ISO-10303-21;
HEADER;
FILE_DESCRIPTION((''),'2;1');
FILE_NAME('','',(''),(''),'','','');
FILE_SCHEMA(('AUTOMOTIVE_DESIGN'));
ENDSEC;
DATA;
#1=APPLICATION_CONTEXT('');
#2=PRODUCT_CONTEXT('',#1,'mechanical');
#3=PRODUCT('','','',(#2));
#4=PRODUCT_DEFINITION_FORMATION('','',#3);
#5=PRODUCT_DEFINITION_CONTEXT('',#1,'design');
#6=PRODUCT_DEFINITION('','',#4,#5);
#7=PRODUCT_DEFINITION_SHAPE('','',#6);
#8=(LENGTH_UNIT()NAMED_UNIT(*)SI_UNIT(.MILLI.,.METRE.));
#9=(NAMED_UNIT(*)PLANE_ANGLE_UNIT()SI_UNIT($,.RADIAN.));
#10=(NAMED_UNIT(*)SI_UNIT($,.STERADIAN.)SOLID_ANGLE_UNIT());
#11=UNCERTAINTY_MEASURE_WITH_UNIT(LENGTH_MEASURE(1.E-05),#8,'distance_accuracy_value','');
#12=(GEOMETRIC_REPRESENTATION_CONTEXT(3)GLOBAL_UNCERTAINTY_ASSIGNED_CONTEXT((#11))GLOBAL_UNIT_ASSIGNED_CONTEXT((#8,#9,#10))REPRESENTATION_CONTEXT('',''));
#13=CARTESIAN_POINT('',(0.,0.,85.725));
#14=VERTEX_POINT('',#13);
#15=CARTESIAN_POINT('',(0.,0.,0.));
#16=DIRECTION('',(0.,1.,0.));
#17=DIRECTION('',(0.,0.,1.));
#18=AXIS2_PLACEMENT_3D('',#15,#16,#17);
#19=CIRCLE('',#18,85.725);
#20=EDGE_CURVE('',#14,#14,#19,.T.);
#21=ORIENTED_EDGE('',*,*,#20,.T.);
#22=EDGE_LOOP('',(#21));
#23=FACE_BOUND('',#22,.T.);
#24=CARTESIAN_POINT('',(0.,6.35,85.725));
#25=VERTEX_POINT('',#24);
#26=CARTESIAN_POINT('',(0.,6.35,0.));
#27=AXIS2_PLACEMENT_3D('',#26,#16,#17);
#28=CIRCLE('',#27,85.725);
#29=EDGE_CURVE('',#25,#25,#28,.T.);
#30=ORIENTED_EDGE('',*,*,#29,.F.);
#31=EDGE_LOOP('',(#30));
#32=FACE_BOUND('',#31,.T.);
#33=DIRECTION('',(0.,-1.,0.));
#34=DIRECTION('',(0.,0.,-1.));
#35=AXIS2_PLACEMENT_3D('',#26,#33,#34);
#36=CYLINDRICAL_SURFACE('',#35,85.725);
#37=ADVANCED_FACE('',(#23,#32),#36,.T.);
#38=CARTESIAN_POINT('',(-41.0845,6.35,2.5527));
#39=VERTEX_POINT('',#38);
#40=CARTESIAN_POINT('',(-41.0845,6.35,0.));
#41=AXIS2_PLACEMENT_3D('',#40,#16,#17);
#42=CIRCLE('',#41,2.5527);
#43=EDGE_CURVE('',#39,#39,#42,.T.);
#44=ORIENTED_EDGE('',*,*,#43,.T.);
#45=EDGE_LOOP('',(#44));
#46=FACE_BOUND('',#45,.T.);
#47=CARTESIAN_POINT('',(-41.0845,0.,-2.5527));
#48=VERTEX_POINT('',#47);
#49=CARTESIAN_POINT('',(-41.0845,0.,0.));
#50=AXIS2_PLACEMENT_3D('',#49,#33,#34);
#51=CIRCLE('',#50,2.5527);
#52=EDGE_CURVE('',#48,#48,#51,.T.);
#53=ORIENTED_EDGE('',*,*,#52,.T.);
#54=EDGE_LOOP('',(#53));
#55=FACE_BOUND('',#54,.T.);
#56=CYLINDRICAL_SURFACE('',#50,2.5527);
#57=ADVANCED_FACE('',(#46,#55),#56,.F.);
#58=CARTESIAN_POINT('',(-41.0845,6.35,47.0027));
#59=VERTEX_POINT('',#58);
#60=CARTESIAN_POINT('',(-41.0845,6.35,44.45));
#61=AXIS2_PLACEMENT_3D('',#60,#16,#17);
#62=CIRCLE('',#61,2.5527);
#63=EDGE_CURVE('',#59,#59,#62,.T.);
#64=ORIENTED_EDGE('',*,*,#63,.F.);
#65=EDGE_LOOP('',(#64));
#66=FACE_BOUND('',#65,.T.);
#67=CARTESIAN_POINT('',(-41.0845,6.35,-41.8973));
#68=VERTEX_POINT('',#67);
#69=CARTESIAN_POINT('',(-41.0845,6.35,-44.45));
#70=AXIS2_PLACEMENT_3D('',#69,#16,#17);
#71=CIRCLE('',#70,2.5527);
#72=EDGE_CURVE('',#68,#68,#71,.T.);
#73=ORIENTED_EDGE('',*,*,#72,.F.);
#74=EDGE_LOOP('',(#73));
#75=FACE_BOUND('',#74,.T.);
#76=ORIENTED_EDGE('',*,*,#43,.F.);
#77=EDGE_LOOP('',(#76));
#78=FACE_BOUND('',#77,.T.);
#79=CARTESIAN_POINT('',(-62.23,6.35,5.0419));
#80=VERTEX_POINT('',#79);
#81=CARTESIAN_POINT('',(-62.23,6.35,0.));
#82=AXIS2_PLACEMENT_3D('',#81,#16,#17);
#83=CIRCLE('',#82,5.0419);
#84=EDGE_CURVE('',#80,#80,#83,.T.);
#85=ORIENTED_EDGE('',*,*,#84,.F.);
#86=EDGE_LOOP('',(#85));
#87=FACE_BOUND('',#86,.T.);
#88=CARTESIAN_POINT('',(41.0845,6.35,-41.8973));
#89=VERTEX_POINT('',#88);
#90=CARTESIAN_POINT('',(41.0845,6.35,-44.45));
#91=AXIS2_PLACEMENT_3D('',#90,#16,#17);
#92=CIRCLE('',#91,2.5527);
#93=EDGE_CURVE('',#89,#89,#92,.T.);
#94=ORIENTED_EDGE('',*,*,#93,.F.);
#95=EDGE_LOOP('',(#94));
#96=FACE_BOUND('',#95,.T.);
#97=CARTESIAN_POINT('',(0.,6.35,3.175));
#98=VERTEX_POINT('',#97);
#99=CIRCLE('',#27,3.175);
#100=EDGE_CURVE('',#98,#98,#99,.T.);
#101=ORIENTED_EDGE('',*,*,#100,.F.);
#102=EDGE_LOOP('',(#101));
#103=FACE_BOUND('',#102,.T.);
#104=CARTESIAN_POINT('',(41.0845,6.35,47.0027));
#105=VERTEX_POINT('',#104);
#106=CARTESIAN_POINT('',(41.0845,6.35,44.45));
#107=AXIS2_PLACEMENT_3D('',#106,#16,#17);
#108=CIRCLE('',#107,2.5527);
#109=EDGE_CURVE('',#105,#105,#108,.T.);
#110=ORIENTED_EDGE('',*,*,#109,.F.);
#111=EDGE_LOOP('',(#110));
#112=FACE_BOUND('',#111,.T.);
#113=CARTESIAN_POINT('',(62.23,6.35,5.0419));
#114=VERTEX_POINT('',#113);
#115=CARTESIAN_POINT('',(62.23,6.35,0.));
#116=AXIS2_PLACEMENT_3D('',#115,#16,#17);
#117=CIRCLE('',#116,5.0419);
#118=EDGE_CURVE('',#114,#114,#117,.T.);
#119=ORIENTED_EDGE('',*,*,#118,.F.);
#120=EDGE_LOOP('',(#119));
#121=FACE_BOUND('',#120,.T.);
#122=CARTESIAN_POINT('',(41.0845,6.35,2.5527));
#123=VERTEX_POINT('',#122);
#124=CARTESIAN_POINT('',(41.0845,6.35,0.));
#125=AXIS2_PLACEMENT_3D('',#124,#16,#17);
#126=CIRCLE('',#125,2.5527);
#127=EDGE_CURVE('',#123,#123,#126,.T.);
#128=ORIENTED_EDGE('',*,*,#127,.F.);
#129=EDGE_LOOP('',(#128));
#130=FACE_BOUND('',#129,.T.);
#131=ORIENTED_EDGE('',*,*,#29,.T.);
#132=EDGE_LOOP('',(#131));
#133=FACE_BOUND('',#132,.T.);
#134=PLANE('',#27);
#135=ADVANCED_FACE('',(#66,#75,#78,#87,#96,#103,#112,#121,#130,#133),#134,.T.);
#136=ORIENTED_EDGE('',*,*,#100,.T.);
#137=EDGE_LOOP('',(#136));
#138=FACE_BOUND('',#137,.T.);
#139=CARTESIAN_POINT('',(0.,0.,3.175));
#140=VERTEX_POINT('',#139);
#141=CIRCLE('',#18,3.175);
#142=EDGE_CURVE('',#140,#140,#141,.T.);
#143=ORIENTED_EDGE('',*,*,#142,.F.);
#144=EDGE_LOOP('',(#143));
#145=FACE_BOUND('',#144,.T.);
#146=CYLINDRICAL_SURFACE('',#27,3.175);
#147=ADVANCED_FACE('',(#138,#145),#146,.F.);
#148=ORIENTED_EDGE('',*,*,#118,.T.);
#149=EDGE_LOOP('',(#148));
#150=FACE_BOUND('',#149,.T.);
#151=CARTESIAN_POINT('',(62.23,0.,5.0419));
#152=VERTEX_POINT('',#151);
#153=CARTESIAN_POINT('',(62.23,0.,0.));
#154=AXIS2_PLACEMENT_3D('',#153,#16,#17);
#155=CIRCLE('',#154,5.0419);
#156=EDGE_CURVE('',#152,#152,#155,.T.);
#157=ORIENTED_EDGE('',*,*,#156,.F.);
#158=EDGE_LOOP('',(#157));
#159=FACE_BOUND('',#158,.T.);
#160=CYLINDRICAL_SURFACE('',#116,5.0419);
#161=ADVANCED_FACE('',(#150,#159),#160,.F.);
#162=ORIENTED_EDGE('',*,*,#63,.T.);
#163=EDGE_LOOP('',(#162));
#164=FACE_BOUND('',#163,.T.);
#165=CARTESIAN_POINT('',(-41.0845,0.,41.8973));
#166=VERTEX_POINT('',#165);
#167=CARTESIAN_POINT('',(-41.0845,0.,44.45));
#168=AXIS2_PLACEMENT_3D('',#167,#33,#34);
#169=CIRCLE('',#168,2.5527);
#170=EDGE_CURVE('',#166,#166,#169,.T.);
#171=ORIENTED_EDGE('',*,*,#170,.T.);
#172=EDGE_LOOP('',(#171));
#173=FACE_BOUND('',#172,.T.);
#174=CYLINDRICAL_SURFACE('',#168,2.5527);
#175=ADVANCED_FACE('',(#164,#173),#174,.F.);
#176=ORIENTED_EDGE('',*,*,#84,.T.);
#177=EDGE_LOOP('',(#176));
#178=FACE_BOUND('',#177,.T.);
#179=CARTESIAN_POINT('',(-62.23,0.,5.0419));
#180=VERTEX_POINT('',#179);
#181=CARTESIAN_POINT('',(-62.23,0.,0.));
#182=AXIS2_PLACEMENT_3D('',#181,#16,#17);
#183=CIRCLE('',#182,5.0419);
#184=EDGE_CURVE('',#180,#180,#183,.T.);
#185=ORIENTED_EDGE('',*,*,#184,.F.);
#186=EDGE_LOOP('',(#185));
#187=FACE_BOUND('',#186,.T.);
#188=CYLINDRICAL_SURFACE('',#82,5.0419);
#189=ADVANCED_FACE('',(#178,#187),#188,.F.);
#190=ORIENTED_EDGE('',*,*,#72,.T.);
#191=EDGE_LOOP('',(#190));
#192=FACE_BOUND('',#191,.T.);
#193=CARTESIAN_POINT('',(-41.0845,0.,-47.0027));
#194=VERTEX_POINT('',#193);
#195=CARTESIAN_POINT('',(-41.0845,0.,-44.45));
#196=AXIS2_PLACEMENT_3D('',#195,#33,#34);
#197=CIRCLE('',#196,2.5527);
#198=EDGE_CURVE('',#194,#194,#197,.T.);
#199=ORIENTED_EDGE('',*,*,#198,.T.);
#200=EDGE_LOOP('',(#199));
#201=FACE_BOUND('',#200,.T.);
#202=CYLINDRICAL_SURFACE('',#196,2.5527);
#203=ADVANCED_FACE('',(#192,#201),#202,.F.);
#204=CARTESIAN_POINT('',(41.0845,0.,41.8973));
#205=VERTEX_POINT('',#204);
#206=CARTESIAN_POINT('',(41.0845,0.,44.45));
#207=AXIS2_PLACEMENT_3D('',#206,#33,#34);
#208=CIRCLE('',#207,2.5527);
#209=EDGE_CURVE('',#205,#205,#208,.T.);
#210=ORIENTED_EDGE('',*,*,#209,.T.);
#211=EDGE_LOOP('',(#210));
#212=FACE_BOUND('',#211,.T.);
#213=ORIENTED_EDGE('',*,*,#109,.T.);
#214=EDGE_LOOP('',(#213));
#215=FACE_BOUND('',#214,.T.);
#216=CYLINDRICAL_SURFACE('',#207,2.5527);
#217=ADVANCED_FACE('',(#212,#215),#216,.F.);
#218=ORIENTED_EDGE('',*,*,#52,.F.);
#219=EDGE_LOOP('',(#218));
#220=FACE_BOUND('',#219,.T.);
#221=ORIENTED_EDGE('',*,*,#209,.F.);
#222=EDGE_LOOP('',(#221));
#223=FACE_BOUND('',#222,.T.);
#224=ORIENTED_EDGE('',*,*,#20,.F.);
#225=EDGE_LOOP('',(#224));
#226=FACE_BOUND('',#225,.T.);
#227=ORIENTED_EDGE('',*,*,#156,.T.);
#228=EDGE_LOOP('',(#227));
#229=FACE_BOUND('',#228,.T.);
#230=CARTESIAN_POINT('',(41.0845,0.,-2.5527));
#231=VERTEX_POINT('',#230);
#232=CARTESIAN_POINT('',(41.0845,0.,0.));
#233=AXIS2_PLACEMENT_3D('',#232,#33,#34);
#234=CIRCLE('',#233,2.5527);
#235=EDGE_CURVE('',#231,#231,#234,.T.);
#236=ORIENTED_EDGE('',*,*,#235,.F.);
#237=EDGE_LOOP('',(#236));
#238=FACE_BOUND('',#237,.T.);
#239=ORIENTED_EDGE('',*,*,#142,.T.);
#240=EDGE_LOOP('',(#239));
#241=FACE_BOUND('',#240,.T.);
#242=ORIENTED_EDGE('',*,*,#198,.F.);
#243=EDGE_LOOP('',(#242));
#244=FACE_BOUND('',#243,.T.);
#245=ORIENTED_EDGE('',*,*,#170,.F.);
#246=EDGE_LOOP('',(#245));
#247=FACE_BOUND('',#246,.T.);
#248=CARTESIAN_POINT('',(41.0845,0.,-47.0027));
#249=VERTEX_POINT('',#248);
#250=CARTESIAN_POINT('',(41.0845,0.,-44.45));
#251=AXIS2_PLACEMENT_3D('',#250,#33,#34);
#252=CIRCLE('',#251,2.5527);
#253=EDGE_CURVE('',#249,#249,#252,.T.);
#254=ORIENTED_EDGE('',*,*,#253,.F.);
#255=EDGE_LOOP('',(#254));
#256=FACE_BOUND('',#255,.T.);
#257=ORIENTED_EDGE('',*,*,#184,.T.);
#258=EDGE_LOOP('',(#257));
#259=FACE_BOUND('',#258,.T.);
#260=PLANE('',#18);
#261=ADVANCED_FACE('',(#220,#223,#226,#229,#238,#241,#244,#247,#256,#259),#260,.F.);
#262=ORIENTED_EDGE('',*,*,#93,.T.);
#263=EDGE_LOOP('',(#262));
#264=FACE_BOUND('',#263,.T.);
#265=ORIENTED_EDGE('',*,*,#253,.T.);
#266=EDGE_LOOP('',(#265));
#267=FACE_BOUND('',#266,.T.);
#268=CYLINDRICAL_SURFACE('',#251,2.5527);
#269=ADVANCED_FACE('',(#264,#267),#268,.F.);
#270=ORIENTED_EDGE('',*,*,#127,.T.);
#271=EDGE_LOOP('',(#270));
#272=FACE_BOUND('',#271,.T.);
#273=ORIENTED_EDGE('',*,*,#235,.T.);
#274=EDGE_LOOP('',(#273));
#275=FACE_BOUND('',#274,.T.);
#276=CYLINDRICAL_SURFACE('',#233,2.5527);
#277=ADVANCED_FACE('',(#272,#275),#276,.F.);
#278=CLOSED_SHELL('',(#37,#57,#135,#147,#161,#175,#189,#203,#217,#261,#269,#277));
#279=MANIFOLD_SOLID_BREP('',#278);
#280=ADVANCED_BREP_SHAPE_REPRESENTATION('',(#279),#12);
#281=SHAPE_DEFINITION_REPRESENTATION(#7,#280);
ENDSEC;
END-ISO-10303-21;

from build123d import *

# Parameters (mm, degrees)
SKETCH1_R                          = 85.725
BOSS_EXTRUDE1_DEPTH                = 6.35
F_3_8_CLEARANCE_HOLE1_D            = 10.0838
F_1_4_0_25_CLEARANCE_DOWEL_HOLE1_D = 6.35
F_10_CLEARANCE_HOLE1_D             = 5.1054
F_10_CLEARANCE_HOLE1_DEPTH         = 6.35


with BuildPart() as part:
    # Sketch1 → Boss-Extrude1 (new body)
    with BuildSketch(Plane(origin=(0, 0, 0), x_dir=(1, 0, 0), z_dir=(0, 1, 0))):
        with Locations(Location((0, 0, 0), (0, 0, 270))):
            Circle(SKETCH1_R)
    extrude(amount=BOSS_EXTRUDE1_DEPTH)

    # 3/8 Clearance Hole1 (through all)
    with Locations(Plane(origin=(0, 6.35, 0), x_dir=(0.9997060077974086, 0, 0.024246607469250614), z_dir=(0, 1, 0))):
        with Locations((-62.211704865, -1.508866383), (62.211704865, 1.508866383)):
            Hole(F_3_8_CLEARANCE_HOLE1_D / 2)

    # 1/4 (0.25) Clearance Dowel Hole1 (through all)
    with Locations(Plane(origin=(43.377433792, 6.35, -259.284531313), x_dir=(0.9888467421616725, 0, -0.14893663255306588), z_dir=(0, 1, 0))):
        with Locations((-81.510599056, -249.932175164)):
            Hole(F_1_4_0_25_CLEARANCE_DOWEL_HOLE1_D / 2)

    # #10 Clearance Hole1
    with Locations(Plane(origin=(43.377433792, 0, -259.284531313), x_dir=(-0.9888467421616725, 0, 0.14893663255306588), z_dir=(0, -1, 0))):
        with Locations((143.046531821, -240.66384852), (19.974666291, -259.200501808), (40.884325078, -256.051162244), (34.264091761, -212.096924555), (115.516639717, -199.858950395), (128.757106351, -287.767425773), (122.136873034, -243.813188084), (47.504558395, -300.005399933)):
            Hole(F_10_CLEARANCE_HOLE1_D / 2, depth=F_10_CLEARANCE_HOLE1_DEPTH)


solid = part.part
